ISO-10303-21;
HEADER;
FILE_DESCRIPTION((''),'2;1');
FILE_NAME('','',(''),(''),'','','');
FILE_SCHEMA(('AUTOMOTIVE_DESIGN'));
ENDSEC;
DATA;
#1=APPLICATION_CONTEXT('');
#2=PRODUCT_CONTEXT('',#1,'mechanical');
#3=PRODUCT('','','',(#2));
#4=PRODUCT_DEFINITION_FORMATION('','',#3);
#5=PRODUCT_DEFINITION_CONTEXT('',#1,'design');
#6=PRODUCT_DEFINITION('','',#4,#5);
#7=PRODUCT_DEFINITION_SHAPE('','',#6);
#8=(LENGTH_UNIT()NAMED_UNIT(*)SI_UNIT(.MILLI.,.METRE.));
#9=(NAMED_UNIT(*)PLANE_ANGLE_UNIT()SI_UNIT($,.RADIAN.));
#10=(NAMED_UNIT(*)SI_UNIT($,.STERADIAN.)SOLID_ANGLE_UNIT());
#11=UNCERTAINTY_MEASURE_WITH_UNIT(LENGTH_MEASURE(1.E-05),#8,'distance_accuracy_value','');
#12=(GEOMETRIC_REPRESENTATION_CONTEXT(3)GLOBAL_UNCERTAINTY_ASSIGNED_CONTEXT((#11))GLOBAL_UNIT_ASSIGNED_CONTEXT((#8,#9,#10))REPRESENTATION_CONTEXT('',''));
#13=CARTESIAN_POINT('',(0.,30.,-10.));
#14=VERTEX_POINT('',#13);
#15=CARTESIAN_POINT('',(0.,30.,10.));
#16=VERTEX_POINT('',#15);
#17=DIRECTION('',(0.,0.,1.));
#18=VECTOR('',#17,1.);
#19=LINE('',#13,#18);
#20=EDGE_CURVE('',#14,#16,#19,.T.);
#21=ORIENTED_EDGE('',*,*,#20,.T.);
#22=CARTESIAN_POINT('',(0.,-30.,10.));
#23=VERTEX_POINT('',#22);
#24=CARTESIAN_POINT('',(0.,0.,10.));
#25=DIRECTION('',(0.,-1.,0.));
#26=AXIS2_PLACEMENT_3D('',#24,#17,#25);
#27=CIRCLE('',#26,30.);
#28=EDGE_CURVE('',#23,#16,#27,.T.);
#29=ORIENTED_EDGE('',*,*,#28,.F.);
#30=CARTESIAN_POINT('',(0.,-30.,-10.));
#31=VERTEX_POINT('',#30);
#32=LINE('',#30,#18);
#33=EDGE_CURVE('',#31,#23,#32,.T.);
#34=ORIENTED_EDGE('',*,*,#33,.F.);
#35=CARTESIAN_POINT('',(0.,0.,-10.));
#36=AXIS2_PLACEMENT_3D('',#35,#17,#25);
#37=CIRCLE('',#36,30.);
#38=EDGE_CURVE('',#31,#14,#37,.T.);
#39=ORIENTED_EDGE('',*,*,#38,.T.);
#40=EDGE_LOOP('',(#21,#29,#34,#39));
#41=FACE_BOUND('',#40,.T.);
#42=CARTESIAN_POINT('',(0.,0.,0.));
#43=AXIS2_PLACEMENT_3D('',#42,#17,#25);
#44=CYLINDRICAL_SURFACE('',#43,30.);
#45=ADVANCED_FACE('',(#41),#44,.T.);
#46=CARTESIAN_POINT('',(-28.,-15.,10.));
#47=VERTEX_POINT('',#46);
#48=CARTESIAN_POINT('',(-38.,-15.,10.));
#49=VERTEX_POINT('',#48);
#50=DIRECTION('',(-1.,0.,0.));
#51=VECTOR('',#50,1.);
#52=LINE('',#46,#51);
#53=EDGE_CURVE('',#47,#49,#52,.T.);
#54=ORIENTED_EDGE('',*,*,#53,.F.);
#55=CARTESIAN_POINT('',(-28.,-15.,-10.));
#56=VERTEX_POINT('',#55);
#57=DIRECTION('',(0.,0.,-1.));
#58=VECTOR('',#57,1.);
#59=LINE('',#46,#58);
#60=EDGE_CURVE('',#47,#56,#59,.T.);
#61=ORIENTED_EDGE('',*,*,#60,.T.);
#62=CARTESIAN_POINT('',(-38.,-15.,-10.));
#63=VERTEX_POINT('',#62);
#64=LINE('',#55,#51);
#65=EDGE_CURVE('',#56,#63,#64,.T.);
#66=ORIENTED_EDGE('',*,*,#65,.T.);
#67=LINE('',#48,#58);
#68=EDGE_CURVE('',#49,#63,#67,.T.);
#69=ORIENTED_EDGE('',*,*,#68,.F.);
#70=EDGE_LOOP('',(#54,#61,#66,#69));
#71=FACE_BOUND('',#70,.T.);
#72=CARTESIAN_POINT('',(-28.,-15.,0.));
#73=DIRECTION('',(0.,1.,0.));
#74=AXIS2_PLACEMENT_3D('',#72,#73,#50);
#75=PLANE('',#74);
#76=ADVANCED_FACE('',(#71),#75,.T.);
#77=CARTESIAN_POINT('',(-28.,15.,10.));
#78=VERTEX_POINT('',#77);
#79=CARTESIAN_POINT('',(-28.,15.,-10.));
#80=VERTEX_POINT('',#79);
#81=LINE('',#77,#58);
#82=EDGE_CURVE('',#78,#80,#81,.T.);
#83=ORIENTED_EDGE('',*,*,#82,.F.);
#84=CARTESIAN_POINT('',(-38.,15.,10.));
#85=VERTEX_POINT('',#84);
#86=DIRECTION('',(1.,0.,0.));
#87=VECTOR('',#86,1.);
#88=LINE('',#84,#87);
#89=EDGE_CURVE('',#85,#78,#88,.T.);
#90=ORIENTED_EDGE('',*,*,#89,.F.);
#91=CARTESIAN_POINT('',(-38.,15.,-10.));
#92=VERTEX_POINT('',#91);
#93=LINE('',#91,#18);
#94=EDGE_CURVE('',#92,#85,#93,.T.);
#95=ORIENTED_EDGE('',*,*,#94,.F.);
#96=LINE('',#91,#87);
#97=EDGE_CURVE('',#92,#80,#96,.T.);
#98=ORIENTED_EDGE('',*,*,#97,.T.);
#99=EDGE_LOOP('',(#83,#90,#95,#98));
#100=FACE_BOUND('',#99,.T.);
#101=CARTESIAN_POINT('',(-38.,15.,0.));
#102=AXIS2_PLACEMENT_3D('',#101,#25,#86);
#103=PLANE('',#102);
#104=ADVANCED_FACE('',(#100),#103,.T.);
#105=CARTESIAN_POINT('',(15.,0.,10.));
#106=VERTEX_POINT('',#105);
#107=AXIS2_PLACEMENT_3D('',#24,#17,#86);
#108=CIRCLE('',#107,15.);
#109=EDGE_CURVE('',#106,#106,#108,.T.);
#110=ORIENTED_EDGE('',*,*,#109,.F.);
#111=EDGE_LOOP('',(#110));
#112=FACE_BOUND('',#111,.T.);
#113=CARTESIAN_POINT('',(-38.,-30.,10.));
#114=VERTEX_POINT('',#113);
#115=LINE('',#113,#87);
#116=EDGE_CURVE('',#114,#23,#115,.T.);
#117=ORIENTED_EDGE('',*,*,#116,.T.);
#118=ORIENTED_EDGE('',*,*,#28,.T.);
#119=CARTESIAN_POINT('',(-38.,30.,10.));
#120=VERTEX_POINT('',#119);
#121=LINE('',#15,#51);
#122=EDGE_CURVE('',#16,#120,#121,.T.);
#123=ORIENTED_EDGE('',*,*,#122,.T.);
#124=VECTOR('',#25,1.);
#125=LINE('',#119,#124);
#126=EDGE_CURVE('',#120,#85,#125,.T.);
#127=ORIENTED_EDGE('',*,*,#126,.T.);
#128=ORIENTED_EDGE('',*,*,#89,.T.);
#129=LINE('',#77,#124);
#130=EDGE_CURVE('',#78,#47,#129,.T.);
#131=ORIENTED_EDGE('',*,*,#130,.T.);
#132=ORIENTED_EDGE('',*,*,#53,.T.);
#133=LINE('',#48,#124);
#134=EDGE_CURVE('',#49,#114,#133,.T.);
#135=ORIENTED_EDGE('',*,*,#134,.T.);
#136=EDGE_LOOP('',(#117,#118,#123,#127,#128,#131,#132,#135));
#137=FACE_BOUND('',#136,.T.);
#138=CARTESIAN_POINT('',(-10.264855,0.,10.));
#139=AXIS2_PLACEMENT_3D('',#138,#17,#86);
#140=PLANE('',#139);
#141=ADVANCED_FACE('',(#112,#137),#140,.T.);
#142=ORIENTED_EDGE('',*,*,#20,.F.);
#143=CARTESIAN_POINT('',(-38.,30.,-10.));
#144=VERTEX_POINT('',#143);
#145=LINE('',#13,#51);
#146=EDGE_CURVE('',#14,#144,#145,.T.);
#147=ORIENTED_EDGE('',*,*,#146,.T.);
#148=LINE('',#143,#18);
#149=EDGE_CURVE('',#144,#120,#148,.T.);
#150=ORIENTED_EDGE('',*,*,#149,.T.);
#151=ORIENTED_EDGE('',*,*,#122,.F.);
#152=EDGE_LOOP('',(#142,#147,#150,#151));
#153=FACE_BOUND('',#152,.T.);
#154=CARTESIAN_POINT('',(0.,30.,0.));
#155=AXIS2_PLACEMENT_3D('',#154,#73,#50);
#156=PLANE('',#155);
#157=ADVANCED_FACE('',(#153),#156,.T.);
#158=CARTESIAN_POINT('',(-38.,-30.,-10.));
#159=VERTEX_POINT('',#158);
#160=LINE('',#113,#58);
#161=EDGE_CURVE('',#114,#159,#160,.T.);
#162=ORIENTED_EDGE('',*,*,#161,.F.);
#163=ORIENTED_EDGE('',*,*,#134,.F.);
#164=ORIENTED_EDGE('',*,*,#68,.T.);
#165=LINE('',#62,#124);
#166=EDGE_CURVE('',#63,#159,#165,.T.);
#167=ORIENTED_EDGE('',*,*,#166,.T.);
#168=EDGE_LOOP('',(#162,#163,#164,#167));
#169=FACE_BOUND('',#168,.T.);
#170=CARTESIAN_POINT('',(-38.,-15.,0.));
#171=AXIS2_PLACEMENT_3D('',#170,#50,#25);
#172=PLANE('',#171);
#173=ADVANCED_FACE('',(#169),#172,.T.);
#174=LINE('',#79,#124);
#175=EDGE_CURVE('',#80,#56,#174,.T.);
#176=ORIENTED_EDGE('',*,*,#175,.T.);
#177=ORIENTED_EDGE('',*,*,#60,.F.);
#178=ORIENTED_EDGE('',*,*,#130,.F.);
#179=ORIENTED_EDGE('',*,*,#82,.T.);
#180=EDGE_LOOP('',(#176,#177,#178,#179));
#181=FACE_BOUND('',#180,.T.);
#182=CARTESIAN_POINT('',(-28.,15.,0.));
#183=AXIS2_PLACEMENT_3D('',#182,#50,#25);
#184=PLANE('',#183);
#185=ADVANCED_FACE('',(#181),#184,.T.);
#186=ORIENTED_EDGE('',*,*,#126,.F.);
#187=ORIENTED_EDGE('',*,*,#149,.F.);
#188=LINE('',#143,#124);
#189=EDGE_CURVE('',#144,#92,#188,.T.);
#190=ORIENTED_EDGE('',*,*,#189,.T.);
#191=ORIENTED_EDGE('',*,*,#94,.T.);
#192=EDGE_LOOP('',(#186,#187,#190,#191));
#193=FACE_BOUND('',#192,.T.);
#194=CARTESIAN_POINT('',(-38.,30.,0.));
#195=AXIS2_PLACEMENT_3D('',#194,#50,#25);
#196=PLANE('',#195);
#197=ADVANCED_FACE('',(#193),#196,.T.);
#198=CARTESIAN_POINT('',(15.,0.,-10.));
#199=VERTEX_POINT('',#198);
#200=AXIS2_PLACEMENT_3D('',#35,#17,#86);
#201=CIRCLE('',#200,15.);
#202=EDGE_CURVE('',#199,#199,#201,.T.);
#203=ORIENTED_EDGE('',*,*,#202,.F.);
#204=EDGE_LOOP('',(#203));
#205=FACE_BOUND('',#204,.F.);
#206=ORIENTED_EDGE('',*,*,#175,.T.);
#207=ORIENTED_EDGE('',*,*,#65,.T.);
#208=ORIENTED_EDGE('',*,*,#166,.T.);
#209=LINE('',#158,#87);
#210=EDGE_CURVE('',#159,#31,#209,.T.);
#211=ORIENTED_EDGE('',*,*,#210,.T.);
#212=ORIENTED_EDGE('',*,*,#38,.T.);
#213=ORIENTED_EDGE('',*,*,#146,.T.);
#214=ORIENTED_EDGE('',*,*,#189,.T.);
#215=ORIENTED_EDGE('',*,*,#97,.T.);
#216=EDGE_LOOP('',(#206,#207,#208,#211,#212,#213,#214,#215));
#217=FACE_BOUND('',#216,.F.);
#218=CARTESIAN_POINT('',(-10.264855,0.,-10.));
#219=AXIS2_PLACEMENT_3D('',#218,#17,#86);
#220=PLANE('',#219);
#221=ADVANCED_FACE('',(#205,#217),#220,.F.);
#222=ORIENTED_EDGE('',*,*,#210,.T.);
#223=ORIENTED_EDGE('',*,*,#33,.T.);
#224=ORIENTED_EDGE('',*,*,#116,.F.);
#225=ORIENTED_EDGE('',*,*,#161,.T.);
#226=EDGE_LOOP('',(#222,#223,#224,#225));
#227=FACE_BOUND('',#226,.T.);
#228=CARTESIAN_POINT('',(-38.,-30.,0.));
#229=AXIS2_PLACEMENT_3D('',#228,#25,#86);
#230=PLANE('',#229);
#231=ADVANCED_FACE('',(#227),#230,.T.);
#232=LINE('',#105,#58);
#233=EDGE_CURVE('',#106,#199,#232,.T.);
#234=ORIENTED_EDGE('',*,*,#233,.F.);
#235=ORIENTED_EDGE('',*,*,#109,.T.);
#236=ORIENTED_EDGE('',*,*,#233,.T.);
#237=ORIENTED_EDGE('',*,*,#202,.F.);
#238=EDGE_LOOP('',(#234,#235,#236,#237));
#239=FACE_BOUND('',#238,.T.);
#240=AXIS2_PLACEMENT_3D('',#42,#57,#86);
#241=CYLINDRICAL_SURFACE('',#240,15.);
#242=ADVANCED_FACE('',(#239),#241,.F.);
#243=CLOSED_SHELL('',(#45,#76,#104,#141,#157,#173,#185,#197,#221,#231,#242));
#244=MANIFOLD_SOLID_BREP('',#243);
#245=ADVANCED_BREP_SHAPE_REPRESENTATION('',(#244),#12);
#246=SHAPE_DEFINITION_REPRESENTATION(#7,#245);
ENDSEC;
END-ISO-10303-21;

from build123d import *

# Parameters (mm, degrees)
F0_R     = 15
F1_DEPTH = 10


with BuildPart() as f1:
    # F0 (on Top) → F1 (new body, symmetric)
    with BuildSketch(Plane.XY):
        with BuildLine():
            Line((-38, -30), (0, -30))
            ThreePointArc((0, -30), (30, 0), (0, 30))
            Line((0, 30), (-38, 30))
            Line((-38, 30), (-38, 15))
            Line((-38, 15), (-28, 15))
            Line((-28, 15), (-28, -15))
            Line((-28, -15), (-38, -15))
            Line((-38, -15), (-38, -30))
        make_face()
        Circle(F0_R, mode=Mode.SUBTRACT)
    extrude(amount=F1_DEPTH, both=True)


solid = f1.part
